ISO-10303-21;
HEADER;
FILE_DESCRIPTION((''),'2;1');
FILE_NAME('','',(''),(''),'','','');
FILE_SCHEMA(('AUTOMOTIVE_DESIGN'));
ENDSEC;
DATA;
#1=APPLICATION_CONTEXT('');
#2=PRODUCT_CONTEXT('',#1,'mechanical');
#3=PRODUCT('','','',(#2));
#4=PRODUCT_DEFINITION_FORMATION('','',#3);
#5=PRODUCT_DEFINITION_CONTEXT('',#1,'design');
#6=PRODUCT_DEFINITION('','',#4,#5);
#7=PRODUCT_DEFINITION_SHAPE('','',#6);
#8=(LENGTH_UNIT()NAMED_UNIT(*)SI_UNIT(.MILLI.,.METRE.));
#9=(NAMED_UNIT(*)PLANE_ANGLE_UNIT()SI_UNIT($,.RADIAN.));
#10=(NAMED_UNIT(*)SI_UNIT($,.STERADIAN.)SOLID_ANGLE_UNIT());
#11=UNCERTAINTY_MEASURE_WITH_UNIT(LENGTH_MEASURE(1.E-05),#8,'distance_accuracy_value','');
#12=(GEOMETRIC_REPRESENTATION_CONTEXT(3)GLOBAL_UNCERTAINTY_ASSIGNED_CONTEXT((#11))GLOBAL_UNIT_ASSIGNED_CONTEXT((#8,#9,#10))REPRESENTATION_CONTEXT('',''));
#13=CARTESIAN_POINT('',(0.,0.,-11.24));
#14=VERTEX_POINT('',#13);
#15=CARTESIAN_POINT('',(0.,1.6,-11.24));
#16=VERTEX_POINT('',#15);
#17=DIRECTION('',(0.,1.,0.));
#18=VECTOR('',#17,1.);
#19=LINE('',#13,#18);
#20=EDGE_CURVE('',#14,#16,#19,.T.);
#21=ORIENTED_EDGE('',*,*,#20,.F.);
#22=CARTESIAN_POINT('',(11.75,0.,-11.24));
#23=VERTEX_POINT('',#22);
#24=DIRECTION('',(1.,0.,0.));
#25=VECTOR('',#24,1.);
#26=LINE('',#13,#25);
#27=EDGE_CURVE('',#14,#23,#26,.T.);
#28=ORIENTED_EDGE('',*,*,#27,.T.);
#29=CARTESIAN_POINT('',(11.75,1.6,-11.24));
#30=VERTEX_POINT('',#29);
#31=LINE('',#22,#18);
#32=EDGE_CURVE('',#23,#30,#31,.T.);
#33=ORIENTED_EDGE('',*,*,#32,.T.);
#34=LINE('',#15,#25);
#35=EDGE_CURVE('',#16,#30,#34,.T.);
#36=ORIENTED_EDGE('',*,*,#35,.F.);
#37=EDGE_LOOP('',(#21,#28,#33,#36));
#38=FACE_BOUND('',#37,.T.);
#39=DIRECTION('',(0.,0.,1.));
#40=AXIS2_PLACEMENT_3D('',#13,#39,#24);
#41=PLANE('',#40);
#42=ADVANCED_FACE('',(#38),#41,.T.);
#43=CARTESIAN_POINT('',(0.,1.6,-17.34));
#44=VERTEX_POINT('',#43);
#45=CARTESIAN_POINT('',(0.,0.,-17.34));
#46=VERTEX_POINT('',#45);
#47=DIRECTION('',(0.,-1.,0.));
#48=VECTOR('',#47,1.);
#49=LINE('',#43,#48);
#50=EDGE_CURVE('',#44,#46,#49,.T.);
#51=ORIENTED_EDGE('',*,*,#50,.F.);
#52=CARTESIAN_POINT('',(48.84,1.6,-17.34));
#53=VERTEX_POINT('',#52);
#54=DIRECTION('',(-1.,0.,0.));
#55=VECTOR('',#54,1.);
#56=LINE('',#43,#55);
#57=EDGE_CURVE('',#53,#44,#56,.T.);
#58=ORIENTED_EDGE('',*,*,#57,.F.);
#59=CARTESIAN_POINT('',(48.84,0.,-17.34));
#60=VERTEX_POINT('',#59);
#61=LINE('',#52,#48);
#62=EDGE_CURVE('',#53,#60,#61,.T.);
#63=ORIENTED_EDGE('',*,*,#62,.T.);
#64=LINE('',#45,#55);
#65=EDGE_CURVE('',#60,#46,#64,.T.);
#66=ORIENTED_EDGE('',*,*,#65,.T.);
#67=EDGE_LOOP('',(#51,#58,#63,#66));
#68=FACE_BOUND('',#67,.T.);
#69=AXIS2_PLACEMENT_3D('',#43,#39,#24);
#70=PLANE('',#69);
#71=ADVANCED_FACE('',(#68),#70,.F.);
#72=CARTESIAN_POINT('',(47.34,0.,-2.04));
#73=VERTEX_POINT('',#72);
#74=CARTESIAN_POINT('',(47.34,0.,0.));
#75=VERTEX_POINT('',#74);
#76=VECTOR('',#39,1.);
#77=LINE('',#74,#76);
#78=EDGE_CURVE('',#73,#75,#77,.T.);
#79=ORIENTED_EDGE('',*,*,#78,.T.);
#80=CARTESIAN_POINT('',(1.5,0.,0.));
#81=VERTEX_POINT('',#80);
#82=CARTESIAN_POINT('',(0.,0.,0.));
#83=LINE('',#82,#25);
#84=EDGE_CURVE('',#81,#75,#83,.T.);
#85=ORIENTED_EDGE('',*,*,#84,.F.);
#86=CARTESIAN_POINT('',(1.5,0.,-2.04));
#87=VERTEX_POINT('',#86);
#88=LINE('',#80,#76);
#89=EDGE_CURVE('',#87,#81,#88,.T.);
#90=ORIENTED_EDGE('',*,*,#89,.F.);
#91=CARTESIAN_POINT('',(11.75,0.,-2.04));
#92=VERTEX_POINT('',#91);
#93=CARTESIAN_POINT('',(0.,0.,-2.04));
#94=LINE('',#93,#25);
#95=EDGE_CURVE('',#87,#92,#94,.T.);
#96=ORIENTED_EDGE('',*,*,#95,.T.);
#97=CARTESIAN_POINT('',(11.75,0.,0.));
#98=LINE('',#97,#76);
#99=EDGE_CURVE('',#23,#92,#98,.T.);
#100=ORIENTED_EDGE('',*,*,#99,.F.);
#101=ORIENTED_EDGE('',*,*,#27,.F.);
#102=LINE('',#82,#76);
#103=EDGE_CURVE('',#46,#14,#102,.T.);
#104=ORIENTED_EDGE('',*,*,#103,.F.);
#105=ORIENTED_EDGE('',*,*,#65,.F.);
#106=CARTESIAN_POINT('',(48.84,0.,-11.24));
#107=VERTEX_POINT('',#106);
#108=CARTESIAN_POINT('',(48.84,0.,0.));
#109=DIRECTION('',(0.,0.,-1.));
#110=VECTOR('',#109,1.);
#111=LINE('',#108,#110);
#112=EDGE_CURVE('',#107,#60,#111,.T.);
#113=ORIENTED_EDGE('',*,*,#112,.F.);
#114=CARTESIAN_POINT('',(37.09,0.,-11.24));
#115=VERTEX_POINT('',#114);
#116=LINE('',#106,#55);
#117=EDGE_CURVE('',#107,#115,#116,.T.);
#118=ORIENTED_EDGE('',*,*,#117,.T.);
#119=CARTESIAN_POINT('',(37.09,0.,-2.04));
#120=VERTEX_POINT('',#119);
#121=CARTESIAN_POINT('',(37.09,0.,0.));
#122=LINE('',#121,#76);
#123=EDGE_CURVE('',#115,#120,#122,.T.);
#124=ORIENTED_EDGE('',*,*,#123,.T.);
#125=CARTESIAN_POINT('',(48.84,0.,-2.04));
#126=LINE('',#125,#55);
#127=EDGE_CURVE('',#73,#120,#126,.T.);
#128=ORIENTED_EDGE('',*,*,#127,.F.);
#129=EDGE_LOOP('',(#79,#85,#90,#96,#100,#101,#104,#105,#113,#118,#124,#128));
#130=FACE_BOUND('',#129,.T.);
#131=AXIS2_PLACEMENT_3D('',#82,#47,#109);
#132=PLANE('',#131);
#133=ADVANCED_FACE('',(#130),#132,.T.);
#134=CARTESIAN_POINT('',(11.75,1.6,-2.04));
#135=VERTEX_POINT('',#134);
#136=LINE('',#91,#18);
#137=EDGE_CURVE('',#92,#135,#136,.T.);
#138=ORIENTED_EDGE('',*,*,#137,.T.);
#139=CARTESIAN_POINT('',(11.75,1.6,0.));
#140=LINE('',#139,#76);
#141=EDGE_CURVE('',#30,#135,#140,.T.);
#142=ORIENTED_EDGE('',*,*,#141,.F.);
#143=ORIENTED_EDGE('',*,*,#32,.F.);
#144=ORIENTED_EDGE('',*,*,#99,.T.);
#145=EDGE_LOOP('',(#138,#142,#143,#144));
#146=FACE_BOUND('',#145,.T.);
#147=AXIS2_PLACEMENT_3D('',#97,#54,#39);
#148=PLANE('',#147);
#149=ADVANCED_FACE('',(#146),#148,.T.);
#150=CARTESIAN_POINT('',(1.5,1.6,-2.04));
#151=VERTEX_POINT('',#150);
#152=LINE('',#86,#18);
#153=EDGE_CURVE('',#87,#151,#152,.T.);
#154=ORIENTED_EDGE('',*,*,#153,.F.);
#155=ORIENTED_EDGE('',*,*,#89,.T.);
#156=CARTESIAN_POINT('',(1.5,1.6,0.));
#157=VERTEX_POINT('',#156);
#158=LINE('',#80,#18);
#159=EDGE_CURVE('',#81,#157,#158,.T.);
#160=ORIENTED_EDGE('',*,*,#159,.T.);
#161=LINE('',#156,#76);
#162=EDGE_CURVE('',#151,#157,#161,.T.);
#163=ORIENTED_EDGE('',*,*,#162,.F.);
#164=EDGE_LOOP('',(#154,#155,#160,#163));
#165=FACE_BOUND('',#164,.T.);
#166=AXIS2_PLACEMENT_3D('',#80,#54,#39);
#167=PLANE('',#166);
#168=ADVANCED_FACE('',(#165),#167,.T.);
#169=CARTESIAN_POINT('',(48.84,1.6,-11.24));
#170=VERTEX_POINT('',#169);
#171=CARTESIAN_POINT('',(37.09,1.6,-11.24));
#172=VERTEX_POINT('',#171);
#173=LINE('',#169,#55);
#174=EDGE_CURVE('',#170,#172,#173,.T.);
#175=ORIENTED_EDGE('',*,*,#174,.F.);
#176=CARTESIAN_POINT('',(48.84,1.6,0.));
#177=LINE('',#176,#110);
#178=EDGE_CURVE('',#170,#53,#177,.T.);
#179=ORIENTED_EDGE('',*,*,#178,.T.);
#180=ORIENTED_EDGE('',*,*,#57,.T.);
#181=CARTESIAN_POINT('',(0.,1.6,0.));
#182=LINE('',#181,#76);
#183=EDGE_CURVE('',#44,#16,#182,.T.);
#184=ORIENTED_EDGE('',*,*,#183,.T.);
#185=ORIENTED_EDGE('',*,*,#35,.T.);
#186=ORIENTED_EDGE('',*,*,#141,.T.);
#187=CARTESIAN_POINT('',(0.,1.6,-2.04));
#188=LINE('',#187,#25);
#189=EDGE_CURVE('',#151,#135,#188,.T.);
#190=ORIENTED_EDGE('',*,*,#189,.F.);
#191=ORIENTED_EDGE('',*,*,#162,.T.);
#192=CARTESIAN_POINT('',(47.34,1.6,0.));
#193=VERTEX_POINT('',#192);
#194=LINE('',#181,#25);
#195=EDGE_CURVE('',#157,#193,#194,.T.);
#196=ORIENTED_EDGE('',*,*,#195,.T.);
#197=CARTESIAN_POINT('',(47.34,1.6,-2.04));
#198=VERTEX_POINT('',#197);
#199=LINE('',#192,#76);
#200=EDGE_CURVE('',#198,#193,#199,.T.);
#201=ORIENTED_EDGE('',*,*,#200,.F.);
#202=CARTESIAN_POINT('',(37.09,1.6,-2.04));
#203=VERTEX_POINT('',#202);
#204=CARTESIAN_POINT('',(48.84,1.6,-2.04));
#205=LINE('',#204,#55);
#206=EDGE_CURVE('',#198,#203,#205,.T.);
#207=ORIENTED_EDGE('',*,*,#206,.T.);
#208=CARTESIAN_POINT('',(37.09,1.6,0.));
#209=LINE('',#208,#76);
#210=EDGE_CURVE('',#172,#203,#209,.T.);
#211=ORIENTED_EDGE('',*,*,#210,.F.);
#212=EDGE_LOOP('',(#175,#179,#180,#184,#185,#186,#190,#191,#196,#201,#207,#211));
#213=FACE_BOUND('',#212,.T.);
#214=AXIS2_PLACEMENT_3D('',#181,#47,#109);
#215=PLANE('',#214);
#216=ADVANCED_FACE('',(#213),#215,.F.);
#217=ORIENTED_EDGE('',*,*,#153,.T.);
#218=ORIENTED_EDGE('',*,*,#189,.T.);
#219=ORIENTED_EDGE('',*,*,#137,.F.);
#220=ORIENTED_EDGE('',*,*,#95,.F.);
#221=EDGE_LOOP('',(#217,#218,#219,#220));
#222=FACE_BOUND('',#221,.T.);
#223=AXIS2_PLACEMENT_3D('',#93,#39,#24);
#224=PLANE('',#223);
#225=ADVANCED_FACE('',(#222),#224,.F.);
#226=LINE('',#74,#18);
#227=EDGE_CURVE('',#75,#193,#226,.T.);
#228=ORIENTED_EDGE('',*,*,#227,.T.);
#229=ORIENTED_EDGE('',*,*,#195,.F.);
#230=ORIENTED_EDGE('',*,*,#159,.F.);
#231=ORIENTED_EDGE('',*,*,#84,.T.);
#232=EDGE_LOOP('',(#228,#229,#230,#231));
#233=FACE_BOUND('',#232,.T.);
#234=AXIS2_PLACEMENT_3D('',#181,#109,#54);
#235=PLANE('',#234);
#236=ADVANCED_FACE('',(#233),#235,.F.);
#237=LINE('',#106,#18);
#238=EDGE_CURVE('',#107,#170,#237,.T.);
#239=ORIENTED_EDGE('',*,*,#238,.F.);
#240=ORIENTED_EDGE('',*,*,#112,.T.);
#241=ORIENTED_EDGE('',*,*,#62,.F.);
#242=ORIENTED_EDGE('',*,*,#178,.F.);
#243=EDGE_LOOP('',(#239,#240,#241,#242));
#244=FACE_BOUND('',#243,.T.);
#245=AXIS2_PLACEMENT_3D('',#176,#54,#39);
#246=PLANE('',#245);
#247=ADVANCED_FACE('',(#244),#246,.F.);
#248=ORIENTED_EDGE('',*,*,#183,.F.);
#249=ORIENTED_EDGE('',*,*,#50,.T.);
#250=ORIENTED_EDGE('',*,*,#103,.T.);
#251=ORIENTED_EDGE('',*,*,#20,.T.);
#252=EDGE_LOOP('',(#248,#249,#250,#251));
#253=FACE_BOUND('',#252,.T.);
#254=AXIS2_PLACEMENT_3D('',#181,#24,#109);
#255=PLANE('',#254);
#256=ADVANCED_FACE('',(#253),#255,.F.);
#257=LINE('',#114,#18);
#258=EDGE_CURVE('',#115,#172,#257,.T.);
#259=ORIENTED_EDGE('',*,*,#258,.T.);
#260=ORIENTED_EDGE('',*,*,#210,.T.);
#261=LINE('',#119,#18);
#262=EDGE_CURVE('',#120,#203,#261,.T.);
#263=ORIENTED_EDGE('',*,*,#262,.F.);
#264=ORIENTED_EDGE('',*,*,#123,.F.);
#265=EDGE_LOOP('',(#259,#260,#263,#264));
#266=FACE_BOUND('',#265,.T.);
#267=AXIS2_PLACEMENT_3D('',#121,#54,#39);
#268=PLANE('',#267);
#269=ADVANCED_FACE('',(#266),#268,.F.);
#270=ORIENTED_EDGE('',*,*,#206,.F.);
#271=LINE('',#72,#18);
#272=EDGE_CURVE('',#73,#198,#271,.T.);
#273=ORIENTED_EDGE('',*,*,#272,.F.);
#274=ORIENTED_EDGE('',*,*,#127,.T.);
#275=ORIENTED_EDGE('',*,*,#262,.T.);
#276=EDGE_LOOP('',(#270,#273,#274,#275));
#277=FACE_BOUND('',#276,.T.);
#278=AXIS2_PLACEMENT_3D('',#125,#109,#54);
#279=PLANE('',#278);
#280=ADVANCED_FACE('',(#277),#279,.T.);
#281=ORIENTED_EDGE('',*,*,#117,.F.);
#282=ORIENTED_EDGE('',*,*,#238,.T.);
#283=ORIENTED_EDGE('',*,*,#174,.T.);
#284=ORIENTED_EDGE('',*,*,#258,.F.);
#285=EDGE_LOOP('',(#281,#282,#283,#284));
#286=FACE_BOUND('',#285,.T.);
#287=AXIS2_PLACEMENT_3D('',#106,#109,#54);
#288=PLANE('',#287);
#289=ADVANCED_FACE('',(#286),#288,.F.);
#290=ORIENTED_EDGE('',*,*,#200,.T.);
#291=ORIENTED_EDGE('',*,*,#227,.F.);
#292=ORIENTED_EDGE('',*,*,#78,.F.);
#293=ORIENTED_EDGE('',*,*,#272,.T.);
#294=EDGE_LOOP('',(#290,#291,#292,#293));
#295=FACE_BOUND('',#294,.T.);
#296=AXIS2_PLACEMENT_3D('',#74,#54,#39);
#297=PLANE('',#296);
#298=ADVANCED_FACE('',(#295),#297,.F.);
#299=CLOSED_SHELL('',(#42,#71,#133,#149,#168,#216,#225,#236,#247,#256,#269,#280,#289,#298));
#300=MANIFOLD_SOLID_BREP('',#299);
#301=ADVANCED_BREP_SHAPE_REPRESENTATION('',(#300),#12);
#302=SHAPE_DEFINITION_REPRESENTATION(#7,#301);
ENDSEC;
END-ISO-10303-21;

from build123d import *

# Parameters (mm, degrees)
SKETCH1_W         = 48.84
SKETCH1_H         = 17.34
MAIN_SQUARE_DEPTH = 1.6
SKETCH2_W         = 1.5
SKETCH2_H         = 2.04
SERVO_HOLES_DEPTH = 1.6


with BuildPart() as part:
    # Sketch1 → main square (new body)
    with BuildSketch(Plane(origin=(0, 0, 0), x_dir=(1, 0, 0), z_dir=(0, 1, 0))):
        with Locations((24.42, 8.67)):
            Rectangle(SKETCH1_W, SKETCH1_H)
    extrude(amount=MAIN_SQUARE_DEPTH)

    # Sketch2 → servo holes (cut)
    with BuildSketch(Plane(origin=(0, 1.6, 0), x_dir=(1, 0, 0), z_dir=(0, 1, 0))):
        Polygon((11.75, 11.24), (0, 11.24), (0, 2.04), (1.5, 2.04), (11.75, 2.04), align=None)
        with Locations((0.75, 1.02)):
            Rectangle(SKETCH2_W, SKETCH2_H)
    servo_holes = extrude(amount=-SERVO_HOLES_DEPTH, mode=Mode.SUBTRACT)

    # Mirror1: servo holes across plane
    add(servo_holes.mirror(Plane.ZY.offset(-24.42)), mode=Mode.SUBTRACT)


solid = part.part
